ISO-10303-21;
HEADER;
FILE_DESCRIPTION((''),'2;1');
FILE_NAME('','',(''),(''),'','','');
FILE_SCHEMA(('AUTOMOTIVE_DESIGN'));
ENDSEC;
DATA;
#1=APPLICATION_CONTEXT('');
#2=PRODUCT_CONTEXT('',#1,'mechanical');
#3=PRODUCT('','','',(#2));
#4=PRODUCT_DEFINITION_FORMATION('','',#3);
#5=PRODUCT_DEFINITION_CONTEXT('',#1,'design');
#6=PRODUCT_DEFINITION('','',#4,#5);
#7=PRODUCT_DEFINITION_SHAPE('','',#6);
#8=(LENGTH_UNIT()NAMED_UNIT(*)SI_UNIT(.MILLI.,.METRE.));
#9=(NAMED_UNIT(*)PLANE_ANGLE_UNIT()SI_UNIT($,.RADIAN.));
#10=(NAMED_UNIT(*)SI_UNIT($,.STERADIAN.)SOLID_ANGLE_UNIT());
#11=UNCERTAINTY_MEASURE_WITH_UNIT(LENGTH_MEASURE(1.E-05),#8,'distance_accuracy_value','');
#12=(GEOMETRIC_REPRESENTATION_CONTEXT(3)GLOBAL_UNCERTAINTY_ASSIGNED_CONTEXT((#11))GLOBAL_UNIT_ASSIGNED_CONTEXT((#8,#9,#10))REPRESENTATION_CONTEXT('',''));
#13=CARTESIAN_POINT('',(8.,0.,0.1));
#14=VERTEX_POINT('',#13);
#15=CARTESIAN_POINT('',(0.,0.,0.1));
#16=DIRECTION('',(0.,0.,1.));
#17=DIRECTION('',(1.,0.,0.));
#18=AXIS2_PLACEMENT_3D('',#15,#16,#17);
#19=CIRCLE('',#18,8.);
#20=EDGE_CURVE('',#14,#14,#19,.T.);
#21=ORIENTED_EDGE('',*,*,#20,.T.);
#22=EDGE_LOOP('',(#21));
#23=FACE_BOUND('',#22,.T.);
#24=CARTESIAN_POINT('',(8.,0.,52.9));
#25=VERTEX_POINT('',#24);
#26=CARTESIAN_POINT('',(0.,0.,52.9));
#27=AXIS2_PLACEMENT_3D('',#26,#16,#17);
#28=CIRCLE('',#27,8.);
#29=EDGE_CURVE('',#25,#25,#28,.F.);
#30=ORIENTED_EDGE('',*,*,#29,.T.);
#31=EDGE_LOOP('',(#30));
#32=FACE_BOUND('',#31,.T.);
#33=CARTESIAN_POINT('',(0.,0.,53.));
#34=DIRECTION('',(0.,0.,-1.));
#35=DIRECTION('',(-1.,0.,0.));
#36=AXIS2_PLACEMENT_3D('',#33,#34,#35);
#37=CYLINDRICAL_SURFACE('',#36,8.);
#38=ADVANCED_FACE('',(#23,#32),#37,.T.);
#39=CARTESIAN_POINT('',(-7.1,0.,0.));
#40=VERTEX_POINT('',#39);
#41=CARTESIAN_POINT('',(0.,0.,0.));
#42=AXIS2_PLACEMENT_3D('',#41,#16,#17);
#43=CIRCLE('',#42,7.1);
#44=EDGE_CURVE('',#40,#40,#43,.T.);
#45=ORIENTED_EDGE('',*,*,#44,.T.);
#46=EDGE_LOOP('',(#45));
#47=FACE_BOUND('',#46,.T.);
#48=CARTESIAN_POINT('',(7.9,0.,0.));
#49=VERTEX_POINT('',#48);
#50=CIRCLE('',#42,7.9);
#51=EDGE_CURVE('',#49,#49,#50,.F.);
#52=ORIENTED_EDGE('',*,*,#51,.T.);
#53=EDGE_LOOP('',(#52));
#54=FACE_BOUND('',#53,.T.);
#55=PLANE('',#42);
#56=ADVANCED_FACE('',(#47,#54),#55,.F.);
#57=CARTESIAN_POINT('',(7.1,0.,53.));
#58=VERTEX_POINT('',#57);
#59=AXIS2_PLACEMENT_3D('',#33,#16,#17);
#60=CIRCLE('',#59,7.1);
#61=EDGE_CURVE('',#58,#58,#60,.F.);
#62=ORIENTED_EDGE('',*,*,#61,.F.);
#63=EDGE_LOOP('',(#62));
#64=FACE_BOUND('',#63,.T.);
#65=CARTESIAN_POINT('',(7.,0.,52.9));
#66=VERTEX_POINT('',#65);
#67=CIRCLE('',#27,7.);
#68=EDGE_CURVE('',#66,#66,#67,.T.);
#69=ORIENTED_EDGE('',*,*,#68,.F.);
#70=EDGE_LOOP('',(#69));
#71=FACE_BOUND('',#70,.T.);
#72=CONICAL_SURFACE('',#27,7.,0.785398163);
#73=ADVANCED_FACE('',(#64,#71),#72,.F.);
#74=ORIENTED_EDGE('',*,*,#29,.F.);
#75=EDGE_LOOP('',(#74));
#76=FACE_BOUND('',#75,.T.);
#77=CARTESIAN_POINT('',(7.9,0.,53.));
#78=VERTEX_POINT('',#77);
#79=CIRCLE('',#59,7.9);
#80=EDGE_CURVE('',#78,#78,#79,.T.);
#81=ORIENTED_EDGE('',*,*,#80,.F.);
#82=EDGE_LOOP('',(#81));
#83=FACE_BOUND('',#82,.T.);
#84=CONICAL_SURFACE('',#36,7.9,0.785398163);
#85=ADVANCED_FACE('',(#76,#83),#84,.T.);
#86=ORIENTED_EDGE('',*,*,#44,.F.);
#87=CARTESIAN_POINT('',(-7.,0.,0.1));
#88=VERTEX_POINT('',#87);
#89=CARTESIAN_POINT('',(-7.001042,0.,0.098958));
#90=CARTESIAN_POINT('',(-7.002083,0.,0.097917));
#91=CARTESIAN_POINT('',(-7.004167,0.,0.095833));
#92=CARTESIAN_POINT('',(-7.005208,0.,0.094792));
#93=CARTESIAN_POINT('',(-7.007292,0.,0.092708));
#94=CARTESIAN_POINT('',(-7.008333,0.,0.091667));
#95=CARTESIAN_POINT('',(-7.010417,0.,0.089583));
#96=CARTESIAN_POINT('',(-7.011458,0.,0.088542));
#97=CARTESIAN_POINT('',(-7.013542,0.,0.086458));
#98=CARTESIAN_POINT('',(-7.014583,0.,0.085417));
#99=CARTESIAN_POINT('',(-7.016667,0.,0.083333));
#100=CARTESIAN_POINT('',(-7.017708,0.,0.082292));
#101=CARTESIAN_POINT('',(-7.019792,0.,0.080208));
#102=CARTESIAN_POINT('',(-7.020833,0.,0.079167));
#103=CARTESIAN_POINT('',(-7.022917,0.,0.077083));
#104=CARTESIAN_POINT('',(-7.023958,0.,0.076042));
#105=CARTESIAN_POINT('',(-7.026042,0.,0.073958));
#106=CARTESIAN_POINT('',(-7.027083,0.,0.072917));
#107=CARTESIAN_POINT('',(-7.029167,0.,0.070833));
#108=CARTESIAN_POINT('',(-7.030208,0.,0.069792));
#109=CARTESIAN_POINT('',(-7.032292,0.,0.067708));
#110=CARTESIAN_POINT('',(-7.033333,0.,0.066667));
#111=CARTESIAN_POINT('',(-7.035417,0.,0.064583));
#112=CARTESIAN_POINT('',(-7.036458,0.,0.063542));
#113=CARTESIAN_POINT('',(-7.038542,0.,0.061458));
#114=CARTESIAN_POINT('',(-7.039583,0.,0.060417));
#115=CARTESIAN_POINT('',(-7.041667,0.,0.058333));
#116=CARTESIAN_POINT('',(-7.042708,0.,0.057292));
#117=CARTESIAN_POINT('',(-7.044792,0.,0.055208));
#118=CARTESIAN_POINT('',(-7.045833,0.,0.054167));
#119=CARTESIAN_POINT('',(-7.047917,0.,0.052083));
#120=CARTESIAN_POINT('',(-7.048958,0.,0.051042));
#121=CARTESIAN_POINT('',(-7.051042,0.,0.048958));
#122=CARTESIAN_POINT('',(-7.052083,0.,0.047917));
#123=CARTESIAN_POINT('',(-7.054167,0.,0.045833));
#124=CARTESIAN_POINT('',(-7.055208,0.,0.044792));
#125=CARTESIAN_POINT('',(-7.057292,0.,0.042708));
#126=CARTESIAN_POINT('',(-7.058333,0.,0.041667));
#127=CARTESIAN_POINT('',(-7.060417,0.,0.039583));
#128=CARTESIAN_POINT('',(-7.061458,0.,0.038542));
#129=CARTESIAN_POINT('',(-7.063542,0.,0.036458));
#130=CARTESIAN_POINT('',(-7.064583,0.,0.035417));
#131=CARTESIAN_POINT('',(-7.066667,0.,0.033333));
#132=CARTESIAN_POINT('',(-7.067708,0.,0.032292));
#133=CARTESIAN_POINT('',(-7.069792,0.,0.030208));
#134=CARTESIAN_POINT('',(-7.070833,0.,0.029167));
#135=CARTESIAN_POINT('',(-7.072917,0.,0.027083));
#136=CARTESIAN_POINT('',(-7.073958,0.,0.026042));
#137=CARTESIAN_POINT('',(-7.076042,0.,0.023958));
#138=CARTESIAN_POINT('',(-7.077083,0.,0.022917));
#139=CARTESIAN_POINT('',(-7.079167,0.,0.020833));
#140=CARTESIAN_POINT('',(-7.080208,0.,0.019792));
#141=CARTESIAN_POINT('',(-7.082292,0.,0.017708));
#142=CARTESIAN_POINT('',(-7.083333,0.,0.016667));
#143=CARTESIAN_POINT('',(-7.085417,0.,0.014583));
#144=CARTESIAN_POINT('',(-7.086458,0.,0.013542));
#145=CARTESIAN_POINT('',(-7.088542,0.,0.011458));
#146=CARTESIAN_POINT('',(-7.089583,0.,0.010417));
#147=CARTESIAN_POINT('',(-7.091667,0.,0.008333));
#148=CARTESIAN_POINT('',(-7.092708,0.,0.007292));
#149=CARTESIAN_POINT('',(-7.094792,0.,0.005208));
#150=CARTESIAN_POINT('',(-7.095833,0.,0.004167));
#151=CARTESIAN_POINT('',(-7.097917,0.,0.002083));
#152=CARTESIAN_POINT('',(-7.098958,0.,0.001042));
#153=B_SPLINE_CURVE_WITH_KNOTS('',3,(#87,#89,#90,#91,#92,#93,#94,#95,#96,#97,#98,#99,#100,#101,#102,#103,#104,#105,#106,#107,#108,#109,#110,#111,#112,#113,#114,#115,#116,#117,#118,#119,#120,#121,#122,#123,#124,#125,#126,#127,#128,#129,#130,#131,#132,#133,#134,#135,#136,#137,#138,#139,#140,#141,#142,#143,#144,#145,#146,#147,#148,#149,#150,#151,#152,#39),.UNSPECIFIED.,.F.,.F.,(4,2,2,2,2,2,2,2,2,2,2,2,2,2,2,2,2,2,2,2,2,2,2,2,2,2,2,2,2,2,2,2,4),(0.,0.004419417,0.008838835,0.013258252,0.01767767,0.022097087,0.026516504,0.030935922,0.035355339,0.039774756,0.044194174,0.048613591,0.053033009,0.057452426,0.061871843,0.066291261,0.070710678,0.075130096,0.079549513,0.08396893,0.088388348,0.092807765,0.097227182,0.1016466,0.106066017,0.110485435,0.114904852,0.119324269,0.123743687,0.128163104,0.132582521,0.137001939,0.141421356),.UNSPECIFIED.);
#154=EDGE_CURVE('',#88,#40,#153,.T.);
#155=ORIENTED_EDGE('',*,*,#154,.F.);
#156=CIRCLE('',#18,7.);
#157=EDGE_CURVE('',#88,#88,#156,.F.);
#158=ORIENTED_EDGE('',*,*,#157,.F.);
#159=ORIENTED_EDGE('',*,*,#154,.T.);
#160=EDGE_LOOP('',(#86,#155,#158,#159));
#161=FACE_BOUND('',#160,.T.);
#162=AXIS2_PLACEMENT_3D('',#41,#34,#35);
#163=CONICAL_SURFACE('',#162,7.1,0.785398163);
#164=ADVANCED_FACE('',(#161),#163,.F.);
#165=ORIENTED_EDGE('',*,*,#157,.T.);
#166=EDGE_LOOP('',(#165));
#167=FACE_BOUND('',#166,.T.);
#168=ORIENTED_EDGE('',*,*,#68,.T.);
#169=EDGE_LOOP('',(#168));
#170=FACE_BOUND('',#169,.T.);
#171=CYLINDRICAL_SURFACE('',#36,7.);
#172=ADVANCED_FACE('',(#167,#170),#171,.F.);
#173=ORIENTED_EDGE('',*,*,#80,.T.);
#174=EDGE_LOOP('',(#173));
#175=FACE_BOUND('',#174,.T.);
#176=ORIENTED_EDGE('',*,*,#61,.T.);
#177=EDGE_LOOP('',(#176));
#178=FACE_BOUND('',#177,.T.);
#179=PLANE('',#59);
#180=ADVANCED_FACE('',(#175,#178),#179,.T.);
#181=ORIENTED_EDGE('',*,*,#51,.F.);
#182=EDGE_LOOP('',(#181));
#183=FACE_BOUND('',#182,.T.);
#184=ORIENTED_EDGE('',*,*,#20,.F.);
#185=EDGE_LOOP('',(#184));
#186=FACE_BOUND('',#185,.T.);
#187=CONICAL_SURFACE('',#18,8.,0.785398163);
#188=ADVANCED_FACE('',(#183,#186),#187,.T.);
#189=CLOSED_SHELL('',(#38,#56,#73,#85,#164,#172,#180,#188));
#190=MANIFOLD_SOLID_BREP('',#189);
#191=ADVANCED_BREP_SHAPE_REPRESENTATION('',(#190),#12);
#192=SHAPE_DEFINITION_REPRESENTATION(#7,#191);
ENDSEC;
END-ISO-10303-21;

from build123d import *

# Parameters (mm, degrees)
SKETCH1_R      = 8
SKETCH1_R_2    = 7
EXTRUDE1_DEPTH = 53
CHAMFER1_SIZE  = 0.1


with BuildPart() as part:
    # Sketch1 → Extrude1 (new body)
    with BuildSketch(Plane.XY):
        Circle(SKETCH1_R)
        Circle(SKETCH1_R_2, mode=Mode.SUBTRACT)
    extrude(amount=EXTRUDE1_DEPTH)

    # Chamfer1
    chamfer1_edges = [part.edges().sort_by_distance(p)[0] for p in [
        (-8, 0, 0),
        (-8, 0, 53),
        (-7, 0, 0),
        (-7, 0, 53),
    ]]
    chamfer(chamfer1_edges, length=CHAMFER1_SIZE)


solid = part.part
